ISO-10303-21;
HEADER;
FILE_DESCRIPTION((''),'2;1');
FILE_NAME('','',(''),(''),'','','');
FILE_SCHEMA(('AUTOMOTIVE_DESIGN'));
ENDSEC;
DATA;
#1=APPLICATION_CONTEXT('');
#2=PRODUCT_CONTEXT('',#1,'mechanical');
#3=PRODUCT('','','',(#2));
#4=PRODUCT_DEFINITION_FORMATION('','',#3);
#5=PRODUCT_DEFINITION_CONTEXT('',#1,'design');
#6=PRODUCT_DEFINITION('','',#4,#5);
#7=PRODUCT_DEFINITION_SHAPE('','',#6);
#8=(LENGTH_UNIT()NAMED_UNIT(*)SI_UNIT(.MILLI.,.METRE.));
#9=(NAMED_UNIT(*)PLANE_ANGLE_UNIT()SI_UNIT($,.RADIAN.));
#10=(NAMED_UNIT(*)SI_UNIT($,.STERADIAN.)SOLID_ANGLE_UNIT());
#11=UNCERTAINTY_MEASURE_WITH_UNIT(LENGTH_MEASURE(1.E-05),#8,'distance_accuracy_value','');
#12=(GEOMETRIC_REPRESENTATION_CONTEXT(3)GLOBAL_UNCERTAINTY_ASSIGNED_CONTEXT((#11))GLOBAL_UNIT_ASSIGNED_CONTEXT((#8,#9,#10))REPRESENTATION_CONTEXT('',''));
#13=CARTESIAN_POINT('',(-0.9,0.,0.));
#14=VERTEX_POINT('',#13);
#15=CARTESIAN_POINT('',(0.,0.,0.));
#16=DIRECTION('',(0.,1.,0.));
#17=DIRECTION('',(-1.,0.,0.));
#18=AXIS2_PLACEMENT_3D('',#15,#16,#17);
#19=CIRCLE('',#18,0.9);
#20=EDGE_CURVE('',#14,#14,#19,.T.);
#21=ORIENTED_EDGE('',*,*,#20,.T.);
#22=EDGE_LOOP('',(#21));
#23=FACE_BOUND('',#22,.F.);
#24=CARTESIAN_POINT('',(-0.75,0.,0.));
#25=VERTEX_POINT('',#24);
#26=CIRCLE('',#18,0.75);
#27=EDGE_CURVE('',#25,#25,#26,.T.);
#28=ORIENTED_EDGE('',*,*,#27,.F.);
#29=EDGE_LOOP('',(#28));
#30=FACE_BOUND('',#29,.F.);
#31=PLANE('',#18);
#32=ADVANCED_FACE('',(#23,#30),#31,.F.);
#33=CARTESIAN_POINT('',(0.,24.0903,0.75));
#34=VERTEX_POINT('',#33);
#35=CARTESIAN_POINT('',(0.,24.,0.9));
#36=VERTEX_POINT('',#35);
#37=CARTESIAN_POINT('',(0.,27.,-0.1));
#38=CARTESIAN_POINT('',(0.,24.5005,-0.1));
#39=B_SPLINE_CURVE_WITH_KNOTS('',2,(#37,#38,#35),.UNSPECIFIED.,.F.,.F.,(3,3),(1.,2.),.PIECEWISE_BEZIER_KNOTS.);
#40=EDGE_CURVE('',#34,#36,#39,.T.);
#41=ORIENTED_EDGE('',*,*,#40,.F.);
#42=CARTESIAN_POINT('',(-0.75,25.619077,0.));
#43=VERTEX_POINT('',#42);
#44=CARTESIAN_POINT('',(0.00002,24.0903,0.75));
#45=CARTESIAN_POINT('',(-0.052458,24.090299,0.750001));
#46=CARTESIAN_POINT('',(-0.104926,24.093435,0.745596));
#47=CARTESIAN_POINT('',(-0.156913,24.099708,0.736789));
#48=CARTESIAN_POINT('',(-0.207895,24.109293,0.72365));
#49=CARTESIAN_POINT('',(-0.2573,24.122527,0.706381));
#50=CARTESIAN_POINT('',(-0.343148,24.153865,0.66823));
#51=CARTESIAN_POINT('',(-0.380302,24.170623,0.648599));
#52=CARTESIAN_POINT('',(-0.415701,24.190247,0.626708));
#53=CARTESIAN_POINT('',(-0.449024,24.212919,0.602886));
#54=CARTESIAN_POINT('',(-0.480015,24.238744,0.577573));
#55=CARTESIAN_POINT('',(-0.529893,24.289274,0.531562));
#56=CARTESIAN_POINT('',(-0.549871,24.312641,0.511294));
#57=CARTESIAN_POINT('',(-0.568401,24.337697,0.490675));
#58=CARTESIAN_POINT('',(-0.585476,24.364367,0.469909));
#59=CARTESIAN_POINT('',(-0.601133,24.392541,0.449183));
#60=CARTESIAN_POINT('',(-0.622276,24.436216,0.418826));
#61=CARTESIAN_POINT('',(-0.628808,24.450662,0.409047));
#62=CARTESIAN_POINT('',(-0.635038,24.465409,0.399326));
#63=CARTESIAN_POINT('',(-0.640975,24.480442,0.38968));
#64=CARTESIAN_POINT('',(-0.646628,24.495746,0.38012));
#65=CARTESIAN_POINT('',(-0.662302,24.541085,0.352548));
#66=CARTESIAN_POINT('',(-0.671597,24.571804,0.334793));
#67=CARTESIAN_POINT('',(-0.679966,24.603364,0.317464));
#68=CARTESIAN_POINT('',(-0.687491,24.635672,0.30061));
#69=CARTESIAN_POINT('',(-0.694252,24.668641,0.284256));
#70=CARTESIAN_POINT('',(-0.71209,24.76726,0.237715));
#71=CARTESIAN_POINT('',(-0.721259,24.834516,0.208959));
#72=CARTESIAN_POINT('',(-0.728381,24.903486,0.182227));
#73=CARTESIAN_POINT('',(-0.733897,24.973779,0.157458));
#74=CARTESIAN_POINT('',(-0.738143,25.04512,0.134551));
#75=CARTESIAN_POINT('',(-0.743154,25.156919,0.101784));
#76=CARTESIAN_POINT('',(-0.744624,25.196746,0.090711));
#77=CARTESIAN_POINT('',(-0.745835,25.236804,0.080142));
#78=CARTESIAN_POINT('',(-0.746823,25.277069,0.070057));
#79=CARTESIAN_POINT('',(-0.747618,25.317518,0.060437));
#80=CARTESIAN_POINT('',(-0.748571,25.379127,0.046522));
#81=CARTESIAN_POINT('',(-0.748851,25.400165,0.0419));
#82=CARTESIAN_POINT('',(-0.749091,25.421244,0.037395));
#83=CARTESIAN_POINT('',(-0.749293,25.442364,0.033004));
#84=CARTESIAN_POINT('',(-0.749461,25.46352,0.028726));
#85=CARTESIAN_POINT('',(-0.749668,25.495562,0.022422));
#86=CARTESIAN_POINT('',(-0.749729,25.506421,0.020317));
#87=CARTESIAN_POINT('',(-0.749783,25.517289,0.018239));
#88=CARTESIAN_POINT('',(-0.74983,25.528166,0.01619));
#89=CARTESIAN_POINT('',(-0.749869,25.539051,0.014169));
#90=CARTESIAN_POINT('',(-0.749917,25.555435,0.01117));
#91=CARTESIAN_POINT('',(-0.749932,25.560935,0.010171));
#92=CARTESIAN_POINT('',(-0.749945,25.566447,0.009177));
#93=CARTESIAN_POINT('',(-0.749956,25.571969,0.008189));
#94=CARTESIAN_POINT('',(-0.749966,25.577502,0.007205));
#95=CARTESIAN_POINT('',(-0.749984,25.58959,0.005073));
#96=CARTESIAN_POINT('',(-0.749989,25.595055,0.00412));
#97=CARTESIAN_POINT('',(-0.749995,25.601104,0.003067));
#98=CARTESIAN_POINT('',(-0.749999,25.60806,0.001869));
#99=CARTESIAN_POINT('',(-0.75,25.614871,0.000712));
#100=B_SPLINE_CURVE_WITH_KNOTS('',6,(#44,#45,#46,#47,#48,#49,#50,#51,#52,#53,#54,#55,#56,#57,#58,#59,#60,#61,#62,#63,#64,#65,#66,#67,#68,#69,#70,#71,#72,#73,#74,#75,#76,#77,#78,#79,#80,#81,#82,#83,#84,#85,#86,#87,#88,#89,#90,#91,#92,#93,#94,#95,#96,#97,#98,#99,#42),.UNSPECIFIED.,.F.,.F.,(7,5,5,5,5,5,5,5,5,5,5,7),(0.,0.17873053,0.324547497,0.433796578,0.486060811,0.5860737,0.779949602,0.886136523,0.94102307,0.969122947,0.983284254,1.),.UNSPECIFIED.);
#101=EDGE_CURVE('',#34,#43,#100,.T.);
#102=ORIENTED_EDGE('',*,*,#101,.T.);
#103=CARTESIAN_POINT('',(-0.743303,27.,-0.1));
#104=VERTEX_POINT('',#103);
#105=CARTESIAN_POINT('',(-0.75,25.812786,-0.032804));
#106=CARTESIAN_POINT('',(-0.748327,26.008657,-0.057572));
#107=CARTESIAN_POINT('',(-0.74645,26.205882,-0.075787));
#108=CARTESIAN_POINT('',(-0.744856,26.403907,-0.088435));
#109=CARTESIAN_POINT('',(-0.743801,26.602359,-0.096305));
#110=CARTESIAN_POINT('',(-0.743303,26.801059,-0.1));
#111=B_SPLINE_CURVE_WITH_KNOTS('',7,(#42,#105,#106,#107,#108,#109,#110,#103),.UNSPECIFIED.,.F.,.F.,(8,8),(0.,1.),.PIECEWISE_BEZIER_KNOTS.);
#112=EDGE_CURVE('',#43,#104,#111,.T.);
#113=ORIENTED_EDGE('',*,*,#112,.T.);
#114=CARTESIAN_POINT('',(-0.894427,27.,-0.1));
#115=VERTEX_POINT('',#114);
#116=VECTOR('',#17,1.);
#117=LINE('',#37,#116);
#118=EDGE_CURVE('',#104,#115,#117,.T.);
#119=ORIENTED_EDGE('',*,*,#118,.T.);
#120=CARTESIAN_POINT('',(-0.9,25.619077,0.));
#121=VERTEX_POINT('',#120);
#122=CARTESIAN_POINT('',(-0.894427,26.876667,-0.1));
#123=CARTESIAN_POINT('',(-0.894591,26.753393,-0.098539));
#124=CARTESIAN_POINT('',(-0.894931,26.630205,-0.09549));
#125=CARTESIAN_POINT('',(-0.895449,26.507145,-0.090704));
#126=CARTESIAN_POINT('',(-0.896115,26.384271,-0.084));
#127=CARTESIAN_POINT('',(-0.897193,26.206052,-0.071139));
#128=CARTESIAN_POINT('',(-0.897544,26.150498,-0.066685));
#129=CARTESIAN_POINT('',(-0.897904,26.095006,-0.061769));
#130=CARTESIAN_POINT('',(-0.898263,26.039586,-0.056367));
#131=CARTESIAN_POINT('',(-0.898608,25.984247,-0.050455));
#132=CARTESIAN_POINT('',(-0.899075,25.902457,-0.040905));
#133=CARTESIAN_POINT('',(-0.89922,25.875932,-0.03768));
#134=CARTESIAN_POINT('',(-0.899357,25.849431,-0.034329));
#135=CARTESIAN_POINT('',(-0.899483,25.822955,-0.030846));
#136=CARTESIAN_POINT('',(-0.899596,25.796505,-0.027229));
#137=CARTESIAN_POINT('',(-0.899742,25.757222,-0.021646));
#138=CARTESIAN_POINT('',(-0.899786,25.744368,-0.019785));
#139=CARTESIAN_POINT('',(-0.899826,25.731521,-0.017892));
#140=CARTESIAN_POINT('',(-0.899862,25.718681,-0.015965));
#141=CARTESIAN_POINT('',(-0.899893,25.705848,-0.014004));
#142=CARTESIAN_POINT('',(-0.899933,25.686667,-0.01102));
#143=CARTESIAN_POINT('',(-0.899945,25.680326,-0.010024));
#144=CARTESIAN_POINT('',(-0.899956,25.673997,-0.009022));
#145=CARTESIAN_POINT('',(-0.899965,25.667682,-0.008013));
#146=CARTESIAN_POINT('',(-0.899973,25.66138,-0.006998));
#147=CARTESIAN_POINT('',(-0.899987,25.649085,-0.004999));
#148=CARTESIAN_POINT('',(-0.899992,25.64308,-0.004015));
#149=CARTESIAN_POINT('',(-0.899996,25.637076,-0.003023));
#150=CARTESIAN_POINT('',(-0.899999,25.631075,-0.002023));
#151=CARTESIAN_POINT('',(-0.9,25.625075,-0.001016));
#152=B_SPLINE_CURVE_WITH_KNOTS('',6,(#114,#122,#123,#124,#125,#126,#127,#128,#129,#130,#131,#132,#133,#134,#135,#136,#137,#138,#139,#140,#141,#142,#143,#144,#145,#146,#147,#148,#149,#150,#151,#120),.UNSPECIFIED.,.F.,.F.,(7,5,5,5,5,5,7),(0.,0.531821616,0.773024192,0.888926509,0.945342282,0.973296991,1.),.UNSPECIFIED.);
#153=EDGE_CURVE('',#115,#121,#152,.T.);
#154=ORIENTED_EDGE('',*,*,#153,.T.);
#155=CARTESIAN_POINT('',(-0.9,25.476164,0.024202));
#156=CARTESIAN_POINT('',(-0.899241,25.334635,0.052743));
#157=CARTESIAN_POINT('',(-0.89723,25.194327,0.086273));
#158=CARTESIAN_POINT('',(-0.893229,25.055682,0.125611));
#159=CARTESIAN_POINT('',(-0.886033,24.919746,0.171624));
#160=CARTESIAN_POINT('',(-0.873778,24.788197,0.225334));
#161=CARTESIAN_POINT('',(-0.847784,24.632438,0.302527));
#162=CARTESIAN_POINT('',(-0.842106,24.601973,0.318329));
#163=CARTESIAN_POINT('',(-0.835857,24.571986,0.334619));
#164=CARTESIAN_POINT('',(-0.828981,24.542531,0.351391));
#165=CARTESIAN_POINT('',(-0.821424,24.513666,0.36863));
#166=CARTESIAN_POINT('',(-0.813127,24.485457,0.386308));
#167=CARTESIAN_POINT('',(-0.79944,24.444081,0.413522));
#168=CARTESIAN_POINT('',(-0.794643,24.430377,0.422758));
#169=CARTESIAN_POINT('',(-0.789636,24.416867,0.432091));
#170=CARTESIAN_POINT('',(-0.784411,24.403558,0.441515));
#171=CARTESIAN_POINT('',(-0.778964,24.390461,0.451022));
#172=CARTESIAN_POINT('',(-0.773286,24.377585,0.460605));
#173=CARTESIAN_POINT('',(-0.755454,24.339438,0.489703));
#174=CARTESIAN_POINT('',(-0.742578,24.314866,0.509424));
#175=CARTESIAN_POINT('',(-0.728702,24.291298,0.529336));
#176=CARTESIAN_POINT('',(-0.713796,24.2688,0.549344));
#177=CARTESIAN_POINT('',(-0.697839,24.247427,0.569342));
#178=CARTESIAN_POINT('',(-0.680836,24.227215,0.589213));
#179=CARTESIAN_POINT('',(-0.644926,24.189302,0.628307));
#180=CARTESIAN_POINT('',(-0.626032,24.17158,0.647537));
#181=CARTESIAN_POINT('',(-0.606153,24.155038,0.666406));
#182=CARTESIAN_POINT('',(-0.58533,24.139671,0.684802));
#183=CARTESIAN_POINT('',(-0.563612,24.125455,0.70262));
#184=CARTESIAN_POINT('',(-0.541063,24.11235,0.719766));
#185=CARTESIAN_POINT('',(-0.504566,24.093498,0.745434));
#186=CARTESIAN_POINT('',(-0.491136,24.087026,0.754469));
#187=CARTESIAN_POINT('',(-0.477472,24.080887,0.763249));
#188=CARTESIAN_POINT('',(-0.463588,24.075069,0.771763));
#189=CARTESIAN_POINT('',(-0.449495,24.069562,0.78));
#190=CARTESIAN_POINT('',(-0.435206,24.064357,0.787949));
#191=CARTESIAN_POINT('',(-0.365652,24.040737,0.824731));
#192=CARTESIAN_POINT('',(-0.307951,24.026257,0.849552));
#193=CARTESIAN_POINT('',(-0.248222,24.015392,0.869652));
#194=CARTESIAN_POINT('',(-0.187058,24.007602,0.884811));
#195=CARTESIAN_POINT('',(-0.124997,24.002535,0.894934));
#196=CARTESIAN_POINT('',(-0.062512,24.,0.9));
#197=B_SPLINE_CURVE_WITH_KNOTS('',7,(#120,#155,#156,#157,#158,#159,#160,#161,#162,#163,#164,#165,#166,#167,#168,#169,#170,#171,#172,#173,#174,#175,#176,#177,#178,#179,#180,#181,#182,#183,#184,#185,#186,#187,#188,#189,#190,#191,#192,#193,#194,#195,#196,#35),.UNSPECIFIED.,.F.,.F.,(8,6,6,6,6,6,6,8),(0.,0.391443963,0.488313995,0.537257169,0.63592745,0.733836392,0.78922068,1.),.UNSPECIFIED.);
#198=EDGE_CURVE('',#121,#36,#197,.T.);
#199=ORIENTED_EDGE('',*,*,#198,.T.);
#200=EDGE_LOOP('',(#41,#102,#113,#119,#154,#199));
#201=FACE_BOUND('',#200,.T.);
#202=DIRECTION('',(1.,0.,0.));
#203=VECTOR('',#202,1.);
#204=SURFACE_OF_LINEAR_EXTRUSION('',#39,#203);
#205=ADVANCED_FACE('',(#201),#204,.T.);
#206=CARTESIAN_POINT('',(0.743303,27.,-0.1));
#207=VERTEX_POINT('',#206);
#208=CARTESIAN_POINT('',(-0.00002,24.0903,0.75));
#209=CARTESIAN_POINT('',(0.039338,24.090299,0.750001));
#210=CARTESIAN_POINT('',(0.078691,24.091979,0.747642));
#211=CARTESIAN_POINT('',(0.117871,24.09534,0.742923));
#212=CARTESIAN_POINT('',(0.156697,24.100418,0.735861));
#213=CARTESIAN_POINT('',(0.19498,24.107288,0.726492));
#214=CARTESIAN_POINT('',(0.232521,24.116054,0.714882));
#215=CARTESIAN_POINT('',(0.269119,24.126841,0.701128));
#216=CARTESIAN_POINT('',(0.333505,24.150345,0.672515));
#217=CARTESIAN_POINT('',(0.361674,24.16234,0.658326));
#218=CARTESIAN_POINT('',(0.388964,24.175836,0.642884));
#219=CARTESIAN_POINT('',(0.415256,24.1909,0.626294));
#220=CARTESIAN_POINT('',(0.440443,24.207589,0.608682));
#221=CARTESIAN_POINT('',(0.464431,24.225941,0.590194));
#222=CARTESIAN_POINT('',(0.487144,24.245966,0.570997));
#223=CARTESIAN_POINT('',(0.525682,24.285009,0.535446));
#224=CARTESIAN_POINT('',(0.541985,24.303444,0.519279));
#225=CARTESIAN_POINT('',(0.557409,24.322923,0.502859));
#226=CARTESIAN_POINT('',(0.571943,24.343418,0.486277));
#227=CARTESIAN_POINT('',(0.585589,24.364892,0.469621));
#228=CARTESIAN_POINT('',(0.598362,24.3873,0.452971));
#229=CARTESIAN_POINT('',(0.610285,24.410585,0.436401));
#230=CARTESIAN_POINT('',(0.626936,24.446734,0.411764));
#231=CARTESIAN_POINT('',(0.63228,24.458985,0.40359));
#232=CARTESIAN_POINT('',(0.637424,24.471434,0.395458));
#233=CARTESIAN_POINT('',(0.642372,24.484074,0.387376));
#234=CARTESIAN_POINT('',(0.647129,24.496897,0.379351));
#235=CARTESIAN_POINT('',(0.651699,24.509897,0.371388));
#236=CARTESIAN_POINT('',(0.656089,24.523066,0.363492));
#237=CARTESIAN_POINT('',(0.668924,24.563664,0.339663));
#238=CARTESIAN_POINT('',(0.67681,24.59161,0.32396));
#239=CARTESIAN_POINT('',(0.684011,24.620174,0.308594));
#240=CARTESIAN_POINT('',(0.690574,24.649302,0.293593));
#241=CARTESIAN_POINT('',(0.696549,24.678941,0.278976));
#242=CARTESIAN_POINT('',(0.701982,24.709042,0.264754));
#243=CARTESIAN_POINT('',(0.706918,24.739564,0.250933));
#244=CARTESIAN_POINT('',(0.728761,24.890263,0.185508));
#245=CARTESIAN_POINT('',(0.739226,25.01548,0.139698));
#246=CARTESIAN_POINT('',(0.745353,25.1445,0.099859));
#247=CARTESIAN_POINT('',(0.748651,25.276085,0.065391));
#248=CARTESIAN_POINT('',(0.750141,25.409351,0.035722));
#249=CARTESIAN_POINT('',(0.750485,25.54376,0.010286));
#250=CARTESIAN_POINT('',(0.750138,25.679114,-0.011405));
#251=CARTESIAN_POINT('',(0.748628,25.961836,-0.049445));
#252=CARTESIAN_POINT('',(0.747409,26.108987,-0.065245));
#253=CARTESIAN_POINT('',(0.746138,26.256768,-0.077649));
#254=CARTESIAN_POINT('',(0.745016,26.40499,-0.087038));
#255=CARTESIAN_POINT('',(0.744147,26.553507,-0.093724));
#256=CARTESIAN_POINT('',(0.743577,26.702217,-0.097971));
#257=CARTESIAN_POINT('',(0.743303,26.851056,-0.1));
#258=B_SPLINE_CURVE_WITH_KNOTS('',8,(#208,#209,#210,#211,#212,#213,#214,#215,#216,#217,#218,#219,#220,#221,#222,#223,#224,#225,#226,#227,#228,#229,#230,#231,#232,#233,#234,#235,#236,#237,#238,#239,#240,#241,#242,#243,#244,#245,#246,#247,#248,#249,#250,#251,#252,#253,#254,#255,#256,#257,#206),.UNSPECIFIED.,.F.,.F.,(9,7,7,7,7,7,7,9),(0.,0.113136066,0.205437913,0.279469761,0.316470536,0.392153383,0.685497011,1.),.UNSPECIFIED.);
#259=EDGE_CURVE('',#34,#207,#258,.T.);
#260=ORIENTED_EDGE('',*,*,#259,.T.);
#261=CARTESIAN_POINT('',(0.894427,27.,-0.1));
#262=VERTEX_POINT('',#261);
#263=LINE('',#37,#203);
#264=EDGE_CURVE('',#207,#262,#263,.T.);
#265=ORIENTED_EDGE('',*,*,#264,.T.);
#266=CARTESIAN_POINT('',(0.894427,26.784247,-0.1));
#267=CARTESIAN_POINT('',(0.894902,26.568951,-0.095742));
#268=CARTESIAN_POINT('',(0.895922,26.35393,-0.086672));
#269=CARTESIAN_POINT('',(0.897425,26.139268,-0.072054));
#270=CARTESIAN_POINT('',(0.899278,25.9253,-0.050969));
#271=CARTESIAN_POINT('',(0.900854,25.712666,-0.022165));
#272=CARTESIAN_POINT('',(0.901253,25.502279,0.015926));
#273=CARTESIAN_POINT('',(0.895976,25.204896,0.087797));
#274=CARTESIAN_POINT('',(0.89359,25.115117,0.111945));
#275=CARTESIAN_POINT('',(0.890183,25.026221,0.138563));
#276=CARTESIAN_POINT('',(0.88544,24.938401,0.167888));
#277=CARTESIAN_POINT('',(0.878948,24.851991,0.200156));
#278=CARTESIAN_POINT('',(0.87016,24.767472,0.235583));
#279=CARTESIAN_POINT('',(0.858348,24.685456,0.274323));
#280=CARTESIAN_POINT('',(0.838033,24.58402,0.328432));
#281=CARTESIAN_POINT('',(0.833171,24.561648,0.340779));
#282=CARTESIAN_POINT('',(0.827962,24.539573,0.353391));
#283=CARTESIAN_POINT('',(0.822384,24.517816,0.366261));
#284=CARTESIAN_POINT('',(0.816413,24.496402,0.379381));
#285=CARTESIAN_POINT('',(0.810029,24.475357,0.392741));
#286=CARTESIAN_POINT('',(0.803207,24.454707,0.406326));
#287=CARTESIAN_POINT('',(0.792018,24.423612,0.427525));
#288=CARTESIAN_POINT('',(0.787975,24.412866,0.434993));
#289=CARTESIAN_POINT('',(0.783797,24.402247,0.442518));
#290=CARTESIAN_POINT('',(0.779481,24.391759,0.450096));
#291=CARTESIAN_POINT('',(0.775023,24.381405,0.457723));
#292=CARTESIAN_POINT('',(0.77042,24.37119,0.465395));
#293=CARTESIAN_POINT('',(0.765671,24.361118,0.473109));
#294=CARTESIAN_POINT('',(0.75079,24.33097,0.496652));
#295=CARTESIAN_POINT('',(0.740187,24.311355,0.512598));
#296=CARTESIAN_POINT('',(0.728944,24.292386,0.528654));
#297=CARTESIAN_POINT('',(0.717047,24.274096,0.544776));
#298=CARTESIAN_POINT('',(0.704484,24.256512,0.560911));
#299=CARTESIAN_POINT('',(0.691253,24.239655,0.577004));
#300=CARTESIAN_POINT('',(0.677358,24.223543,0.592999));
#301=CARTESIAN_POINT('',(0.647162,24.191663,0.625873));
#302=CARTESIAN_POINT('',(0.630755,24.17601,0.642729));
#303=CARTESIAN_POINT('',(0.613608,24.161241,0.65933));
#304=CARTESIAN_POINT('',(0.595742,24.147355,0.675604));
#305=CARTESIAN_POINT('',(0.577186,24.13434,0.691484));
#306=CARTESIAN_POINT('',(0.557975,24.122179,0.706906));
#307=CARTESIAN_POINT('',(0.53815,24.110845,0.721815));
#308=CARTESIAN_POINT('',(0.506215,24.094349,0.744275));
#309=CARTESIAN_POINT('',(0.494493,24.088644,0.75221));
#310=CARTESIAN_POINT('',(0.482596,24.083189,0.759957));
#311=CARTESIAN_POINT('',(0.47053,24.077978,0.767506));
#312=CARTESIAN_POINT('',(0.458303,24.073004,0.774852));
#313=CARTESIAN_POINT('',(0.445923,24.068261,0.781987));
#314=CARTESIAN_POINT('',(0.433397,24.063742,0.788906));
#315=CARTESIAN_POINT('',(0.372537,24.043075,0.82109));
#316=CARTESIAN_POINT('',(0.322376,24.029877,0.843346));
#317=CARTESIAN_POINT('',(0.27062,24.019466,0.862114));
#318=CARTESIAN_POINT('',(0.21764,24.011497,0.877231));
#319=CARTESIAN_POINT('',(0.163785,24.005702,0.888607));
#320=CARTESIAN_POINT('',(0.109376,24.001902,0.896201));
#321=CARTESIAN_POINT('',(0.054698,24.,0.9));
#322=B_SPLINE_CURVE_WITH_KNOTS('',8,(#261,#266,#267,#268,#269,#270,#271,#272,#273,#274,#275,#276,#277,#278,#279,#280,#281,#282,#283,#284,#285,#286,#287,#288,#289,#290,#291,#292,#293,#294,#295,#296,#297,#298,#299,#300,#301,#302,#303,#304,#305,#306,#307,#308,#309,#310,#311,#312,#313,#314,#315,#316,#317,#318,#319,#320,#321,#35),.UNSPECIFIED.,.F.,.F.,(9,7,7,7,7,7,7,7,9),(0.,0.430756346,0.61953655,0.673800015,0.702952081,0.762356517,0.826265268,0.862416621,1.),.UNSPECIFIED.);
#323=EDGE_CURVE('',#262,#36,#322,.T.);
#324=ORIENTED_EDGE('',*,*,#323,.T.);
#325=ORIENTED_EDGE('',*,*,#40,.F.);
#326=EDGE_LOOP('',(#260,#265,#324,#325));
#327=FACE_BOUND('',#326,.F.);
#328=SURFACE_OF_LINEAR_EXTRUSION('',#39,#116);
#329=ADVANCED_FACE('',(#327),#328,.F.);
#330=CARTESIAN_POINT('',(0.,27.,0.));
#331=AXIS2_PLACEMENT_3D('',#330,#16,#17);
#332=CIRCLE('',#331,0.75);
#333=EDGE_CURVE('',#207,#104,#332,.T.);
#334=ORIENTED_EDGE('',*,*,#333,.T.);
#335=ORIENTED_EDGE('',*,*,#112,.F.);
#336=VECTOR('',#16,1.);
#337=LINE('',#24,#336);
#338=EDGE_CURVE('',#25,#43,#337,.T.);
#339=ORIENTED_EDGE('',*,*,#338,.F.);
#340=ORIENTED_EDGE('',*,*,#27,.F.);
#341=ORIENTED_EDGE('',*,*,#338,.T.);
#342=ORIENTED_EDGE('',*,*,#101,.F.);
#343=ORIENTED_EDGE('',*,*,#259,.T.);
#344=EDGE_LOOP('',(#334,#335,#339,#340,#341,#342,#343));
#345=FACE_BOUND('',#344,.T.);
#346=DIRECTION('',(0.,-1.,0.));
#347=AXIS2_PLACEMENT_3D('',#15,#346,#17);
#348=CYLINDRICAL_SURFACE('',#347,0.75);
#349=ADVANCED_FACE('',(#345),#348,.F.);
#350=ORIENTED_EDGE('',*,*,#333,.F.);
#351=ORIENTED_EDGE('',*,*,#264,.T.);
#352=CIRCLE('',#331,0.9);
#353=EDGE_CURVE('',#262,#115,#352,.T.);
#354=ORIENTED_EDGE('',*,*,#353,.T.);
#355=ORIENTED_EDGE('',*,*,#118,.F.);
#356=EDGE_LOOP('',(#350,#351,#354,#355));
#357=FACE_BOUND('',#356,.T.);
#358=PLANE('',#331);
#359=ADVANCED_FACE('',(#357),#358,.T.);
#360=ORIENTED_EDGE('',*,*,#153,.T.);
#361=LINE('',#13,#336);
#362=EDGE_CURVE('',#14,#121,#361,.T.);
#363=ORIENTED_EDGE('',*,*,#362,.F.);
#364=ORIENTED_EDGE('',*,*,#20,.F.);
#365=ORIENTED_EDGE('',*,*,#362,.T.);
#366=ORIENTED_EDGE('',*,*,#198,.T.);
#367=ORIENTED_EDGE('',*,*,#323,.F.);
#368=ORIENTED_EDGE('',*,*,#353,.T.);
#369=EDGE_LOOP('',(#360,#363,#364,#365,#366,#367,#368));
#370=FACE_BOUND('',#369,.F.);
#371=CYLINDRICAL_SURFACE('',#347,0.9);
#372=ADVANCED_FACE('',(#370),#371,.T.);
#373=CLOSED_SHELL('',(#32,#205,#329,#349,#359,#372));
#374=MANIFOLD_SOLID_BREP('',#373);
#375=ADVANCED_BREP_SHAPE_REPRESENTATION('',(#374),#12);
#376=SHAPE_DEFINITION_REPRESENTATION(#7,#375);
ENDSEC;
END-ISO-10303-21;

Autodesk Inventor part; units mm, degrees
ref_plane "YZ Plane" through (0, 0, 0) normal (1, 0, 0) x (0, 1, 0)
ref_plane "XZ Plane" through (0, 0, 0) normal (0, 1, 0) x (-1, 0, 0)
ref_plane "XY Plane" through (0, 0, 0) normal (0, 0, 1) x (1, 0, 0)
sketch "Sketch1" plane through (0, 0, 0) normal (0, 1, 0) x (-1, 0, 0)
  circle A0 centre (0, 0) radius 0.9
  circle A1 centre (0, 0) radius 0.75
  dimension "d0" = 1.8
  dimension "d1" = 1.5
extrude "Extrusion1" add sketch "Sketch1" along normal blind 27
sketch "Sketch2" plane through (0, 0, 0) normal (1, 0, 0) x (0, 1, 0)
  line L0 (0, 0.9) -> (27, 0.9) construction
  line L1 (27, -0.1) -> (24.5005, -0.1) construction
  line L2 (27, -0.1) -> (24.5005, -0.1) construction
  line L3 (24.5005, -0.1) -> (24, 0.9) construction
  spline S0 degree 2 poles (27, -0.1) (24.5005, -0.1) (24, 0.9) knots 1 1 1 2 2 2
  line L4 (24, 0.9) -> (27.2057, 2.6706)
  line L5 (27.2057, 2.6706) -> (28.0027, -0.5432)
  line L6 (28.0027, -0.5432) -> (27, -0.1)
  point P0 (0, 0)
extrude "Extrusion2" cut sketch "Sketch2" against normal blind 1 and the other way blind 1
properties part number "pin"
